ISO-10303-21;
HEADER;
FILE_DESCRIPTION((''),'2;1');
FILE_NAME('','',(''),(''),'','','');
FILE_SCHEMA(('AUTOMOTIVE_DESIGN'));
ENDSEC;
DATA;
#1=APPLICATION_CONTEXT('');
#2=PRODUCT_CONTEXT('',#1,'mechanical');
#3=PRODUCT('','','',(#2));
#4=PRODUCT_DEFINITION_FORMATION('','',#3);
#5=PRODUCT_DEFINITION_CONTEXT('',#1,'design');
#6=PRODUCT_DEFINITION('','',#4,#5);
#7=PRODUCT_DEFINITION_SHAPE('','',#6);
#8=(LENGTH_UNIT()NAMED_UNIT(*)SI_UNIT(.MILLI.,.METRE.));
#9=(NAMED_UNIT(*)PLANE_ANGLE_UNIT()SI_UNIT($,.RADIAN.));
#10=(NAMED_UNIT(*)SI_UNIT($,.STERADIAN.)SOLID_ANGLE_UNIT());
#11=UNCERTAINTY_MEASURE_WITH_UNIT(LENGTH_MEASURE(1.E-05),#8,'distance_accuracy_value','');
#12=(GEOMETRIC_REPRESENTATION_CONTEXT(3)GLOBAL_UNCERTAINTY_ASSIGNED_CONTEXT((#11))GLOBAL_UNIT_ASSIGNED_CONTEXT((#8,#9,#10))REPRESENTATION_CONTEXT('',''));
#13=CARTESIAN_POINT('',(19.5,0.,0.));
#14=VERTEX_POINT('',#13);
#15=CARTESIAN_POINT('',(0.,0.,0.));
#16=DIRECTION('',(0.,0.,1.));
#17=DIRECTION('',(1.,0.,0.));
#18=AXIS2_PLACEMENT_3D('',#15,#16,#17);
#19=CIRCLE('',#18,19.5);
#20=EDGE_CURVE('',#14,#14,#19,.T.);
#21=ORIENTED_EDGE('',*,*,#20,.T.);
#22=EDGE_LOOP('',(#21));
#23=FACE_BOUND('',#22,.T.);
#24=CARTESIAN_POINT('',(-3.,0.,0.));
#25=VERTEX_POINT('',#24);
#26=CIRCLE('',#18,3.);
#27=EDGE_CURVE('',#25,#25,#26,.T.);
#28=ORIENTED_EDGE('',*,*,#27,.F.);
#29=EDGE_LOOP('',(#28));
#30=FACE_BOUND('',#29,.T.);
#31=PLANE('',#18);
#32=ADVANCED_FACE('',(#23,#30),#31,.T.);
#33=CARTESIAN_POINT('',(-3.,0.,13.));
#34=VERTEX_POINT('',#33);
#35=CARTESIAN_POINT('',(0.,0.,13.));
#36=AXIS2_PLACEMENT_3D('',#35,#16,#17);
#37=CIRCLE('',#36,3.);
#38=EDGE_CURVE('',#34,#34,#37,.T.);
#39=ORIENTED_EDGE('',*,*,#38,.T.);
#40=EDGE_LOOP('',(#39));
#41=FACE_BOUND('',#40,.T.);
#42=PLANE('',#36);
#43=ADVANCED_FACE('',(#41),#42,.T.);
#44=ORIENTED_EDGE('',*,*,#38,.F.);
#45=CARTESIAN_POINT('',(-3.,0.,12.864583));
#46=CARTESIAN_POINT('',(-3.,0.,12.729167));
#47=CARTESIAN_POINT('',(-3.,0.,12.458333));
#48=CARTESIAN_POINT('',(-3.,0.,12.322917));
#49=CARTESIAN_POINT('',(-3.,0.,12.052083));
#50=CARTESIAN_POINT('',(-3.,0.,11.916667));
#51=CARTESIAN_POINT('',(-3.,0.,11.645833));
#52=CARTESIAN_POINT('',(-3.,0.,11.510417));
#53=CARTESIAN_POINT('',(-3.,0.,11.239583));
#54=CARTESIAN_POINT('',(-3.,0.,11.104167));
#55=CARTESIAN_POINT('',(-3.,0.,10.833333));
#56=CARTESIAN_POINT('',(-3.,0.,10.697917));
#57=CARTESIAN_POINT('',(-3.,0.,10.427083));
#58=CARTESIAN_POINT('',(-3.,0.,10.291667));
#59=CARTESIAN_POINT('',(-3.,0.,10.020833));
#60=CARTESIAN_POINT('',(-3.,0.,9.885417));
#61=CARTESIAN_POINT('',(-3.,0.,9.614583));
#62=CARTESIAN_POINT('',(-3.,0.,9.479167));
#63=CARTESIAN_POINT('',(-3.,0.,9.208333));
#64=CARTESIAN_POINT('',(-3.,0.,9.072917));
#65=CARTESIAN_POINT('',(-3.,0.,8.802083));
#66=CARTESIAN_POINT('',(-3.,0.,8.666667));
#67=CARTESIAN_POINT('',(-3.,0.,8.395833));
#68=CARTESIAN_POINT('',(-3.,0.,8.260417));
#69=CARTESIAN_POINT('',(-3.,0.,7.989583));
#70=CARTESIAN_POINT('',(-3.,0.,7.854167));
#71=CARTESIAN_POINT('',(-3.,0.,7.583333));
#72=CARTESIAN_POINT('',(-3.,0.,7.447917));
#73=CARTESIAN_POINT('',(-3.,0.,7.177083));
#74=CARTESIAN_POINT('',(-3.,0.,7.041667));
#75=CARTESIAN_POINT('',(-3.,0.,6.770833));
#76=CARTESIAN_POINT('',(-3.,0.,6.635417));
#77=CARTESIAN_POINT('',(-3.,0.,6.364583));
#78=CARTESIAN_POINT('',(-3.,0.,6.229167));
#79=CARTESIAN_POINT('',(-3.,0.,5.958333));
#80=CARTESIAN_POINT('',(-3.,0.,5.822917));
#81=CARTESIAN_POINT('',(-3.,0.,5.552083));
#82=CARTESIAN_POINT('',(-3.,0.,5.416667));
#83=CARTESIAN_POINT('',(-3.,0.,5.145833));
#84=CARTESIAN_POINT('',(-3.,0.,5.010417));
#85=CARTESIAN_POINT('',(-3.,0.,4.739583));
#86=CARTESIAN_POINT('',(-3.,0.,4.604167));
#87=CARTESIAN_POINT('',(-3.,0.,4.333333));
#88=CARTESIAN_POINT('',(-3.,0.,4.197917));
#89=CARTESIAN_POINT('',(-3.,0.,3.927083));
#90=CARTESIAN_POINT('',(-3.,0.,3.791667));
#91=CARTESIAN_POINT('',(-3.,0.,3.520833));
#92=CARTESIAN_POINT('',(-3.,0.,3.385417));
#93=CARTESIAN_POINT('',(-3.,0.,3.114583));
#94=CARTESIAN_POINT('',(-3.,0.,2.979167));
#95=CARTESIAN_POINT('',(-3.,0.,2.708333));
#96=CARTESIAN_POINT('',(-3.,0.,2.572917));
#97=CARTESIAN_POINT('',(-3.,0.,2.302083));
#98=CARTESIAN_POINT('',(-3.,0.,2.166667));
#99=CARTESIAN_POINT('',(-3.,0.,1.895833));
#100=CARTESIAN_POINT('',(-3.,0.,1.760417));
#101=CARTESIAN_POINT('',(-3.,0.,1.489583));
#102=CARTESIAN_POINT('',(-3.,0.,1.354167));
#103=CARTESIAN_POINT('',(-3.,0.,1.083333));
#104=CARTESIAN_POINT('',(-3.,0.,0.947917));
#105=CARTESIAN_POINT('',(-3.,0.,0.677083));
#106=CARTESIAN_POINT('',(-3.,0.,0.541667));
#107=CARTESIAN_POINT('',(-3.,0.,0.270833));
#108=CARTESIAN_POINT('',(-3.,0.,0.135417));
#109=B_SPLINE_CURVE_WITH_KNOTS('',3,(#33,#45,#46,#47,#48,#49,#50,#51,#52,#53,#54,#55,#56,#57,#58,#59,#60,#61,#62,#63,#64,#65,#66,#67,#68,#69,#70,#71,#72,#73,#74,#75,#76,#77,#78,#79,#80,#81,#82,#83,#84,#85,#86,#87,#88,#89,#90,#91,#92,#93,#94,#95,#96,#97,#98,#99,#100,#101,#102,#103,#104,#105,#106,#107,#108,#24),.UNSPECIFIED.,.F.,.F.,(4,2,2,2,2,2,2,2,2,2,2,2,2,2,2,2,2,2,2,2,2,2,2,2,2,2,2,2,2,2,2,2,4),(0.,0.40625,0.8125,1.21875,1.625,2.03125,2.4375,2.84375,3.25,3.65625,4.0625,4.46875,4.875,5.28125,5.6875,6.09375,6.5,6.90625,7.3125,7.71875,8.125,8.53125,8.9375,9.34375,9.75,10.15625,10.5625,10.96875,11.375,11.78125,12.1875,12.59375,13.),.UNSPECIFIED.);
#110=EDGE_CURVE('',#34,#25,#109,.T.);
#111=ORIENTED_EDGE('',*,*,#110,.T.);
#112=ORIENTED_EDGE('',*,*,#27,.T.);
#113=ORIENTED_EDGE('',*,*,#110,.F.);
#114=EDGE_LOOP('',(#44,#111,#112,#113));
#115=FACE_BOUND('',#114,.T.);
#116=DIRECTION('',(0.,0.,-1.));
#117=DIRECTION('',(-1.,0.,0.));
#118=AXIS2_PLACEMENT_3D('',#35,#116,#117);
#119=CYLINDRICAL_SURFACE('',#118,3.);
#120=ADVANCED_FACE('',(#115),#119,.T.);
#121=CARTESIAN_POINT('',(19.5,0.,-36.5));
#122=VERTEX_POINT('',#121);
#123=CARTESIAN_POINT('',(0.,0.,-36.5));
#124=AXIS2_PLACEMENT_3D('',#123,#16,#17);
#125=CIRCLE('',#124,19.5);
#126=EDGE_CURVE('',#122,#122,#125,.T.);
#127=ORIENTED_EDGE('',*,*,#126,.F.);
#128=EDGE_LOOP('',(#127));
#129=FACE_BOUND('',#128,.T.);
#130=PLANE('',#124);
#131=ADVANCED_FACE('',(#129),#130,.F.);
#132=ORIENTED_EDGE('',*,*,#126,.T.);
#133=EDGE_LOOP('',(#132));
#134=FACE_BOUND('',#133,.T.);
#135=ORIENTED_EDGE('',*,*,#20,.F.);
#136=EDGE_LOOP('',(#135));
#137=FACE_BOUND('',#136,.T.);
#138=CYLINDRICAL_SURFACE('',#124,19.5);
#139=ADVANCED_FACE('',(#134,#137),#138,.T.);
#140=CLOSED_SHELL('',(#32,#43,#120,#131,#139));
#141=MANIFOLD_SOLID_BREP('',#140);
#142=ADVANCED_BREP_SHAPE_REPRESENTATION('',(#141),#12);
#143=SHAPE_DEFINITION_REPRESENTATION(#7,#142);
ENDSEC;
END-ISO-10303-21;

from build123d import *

# Parameters (mm, degrees)
SKETCH1_R           = 19.5
BOSS_EXTRUDE1_DEPTH = 36.5
SKETCH2_R           = 3
BOSS_EXTRUDE2_DEPTH = 13


with BuildPart() as part:
    # Sketch1 → Boss-Extrude1 (new body)
    with BuildSketch(Plane.XY):
        Circle(SKETCH1_R)
    extrude(amount=-BOSS_EXTRUDE1_DEPTH)

    # Sketch2 → Boss-Extrude2 (add)
    with BuildSketch(Plane.XY):
        with Locations(Location((0, 0, 0), (0, 0, 180))):
            Circle(SKETCH2_R)
    extrude(amount=BOSS_EXTRUDE2_DEPTH)


solid = part.part
